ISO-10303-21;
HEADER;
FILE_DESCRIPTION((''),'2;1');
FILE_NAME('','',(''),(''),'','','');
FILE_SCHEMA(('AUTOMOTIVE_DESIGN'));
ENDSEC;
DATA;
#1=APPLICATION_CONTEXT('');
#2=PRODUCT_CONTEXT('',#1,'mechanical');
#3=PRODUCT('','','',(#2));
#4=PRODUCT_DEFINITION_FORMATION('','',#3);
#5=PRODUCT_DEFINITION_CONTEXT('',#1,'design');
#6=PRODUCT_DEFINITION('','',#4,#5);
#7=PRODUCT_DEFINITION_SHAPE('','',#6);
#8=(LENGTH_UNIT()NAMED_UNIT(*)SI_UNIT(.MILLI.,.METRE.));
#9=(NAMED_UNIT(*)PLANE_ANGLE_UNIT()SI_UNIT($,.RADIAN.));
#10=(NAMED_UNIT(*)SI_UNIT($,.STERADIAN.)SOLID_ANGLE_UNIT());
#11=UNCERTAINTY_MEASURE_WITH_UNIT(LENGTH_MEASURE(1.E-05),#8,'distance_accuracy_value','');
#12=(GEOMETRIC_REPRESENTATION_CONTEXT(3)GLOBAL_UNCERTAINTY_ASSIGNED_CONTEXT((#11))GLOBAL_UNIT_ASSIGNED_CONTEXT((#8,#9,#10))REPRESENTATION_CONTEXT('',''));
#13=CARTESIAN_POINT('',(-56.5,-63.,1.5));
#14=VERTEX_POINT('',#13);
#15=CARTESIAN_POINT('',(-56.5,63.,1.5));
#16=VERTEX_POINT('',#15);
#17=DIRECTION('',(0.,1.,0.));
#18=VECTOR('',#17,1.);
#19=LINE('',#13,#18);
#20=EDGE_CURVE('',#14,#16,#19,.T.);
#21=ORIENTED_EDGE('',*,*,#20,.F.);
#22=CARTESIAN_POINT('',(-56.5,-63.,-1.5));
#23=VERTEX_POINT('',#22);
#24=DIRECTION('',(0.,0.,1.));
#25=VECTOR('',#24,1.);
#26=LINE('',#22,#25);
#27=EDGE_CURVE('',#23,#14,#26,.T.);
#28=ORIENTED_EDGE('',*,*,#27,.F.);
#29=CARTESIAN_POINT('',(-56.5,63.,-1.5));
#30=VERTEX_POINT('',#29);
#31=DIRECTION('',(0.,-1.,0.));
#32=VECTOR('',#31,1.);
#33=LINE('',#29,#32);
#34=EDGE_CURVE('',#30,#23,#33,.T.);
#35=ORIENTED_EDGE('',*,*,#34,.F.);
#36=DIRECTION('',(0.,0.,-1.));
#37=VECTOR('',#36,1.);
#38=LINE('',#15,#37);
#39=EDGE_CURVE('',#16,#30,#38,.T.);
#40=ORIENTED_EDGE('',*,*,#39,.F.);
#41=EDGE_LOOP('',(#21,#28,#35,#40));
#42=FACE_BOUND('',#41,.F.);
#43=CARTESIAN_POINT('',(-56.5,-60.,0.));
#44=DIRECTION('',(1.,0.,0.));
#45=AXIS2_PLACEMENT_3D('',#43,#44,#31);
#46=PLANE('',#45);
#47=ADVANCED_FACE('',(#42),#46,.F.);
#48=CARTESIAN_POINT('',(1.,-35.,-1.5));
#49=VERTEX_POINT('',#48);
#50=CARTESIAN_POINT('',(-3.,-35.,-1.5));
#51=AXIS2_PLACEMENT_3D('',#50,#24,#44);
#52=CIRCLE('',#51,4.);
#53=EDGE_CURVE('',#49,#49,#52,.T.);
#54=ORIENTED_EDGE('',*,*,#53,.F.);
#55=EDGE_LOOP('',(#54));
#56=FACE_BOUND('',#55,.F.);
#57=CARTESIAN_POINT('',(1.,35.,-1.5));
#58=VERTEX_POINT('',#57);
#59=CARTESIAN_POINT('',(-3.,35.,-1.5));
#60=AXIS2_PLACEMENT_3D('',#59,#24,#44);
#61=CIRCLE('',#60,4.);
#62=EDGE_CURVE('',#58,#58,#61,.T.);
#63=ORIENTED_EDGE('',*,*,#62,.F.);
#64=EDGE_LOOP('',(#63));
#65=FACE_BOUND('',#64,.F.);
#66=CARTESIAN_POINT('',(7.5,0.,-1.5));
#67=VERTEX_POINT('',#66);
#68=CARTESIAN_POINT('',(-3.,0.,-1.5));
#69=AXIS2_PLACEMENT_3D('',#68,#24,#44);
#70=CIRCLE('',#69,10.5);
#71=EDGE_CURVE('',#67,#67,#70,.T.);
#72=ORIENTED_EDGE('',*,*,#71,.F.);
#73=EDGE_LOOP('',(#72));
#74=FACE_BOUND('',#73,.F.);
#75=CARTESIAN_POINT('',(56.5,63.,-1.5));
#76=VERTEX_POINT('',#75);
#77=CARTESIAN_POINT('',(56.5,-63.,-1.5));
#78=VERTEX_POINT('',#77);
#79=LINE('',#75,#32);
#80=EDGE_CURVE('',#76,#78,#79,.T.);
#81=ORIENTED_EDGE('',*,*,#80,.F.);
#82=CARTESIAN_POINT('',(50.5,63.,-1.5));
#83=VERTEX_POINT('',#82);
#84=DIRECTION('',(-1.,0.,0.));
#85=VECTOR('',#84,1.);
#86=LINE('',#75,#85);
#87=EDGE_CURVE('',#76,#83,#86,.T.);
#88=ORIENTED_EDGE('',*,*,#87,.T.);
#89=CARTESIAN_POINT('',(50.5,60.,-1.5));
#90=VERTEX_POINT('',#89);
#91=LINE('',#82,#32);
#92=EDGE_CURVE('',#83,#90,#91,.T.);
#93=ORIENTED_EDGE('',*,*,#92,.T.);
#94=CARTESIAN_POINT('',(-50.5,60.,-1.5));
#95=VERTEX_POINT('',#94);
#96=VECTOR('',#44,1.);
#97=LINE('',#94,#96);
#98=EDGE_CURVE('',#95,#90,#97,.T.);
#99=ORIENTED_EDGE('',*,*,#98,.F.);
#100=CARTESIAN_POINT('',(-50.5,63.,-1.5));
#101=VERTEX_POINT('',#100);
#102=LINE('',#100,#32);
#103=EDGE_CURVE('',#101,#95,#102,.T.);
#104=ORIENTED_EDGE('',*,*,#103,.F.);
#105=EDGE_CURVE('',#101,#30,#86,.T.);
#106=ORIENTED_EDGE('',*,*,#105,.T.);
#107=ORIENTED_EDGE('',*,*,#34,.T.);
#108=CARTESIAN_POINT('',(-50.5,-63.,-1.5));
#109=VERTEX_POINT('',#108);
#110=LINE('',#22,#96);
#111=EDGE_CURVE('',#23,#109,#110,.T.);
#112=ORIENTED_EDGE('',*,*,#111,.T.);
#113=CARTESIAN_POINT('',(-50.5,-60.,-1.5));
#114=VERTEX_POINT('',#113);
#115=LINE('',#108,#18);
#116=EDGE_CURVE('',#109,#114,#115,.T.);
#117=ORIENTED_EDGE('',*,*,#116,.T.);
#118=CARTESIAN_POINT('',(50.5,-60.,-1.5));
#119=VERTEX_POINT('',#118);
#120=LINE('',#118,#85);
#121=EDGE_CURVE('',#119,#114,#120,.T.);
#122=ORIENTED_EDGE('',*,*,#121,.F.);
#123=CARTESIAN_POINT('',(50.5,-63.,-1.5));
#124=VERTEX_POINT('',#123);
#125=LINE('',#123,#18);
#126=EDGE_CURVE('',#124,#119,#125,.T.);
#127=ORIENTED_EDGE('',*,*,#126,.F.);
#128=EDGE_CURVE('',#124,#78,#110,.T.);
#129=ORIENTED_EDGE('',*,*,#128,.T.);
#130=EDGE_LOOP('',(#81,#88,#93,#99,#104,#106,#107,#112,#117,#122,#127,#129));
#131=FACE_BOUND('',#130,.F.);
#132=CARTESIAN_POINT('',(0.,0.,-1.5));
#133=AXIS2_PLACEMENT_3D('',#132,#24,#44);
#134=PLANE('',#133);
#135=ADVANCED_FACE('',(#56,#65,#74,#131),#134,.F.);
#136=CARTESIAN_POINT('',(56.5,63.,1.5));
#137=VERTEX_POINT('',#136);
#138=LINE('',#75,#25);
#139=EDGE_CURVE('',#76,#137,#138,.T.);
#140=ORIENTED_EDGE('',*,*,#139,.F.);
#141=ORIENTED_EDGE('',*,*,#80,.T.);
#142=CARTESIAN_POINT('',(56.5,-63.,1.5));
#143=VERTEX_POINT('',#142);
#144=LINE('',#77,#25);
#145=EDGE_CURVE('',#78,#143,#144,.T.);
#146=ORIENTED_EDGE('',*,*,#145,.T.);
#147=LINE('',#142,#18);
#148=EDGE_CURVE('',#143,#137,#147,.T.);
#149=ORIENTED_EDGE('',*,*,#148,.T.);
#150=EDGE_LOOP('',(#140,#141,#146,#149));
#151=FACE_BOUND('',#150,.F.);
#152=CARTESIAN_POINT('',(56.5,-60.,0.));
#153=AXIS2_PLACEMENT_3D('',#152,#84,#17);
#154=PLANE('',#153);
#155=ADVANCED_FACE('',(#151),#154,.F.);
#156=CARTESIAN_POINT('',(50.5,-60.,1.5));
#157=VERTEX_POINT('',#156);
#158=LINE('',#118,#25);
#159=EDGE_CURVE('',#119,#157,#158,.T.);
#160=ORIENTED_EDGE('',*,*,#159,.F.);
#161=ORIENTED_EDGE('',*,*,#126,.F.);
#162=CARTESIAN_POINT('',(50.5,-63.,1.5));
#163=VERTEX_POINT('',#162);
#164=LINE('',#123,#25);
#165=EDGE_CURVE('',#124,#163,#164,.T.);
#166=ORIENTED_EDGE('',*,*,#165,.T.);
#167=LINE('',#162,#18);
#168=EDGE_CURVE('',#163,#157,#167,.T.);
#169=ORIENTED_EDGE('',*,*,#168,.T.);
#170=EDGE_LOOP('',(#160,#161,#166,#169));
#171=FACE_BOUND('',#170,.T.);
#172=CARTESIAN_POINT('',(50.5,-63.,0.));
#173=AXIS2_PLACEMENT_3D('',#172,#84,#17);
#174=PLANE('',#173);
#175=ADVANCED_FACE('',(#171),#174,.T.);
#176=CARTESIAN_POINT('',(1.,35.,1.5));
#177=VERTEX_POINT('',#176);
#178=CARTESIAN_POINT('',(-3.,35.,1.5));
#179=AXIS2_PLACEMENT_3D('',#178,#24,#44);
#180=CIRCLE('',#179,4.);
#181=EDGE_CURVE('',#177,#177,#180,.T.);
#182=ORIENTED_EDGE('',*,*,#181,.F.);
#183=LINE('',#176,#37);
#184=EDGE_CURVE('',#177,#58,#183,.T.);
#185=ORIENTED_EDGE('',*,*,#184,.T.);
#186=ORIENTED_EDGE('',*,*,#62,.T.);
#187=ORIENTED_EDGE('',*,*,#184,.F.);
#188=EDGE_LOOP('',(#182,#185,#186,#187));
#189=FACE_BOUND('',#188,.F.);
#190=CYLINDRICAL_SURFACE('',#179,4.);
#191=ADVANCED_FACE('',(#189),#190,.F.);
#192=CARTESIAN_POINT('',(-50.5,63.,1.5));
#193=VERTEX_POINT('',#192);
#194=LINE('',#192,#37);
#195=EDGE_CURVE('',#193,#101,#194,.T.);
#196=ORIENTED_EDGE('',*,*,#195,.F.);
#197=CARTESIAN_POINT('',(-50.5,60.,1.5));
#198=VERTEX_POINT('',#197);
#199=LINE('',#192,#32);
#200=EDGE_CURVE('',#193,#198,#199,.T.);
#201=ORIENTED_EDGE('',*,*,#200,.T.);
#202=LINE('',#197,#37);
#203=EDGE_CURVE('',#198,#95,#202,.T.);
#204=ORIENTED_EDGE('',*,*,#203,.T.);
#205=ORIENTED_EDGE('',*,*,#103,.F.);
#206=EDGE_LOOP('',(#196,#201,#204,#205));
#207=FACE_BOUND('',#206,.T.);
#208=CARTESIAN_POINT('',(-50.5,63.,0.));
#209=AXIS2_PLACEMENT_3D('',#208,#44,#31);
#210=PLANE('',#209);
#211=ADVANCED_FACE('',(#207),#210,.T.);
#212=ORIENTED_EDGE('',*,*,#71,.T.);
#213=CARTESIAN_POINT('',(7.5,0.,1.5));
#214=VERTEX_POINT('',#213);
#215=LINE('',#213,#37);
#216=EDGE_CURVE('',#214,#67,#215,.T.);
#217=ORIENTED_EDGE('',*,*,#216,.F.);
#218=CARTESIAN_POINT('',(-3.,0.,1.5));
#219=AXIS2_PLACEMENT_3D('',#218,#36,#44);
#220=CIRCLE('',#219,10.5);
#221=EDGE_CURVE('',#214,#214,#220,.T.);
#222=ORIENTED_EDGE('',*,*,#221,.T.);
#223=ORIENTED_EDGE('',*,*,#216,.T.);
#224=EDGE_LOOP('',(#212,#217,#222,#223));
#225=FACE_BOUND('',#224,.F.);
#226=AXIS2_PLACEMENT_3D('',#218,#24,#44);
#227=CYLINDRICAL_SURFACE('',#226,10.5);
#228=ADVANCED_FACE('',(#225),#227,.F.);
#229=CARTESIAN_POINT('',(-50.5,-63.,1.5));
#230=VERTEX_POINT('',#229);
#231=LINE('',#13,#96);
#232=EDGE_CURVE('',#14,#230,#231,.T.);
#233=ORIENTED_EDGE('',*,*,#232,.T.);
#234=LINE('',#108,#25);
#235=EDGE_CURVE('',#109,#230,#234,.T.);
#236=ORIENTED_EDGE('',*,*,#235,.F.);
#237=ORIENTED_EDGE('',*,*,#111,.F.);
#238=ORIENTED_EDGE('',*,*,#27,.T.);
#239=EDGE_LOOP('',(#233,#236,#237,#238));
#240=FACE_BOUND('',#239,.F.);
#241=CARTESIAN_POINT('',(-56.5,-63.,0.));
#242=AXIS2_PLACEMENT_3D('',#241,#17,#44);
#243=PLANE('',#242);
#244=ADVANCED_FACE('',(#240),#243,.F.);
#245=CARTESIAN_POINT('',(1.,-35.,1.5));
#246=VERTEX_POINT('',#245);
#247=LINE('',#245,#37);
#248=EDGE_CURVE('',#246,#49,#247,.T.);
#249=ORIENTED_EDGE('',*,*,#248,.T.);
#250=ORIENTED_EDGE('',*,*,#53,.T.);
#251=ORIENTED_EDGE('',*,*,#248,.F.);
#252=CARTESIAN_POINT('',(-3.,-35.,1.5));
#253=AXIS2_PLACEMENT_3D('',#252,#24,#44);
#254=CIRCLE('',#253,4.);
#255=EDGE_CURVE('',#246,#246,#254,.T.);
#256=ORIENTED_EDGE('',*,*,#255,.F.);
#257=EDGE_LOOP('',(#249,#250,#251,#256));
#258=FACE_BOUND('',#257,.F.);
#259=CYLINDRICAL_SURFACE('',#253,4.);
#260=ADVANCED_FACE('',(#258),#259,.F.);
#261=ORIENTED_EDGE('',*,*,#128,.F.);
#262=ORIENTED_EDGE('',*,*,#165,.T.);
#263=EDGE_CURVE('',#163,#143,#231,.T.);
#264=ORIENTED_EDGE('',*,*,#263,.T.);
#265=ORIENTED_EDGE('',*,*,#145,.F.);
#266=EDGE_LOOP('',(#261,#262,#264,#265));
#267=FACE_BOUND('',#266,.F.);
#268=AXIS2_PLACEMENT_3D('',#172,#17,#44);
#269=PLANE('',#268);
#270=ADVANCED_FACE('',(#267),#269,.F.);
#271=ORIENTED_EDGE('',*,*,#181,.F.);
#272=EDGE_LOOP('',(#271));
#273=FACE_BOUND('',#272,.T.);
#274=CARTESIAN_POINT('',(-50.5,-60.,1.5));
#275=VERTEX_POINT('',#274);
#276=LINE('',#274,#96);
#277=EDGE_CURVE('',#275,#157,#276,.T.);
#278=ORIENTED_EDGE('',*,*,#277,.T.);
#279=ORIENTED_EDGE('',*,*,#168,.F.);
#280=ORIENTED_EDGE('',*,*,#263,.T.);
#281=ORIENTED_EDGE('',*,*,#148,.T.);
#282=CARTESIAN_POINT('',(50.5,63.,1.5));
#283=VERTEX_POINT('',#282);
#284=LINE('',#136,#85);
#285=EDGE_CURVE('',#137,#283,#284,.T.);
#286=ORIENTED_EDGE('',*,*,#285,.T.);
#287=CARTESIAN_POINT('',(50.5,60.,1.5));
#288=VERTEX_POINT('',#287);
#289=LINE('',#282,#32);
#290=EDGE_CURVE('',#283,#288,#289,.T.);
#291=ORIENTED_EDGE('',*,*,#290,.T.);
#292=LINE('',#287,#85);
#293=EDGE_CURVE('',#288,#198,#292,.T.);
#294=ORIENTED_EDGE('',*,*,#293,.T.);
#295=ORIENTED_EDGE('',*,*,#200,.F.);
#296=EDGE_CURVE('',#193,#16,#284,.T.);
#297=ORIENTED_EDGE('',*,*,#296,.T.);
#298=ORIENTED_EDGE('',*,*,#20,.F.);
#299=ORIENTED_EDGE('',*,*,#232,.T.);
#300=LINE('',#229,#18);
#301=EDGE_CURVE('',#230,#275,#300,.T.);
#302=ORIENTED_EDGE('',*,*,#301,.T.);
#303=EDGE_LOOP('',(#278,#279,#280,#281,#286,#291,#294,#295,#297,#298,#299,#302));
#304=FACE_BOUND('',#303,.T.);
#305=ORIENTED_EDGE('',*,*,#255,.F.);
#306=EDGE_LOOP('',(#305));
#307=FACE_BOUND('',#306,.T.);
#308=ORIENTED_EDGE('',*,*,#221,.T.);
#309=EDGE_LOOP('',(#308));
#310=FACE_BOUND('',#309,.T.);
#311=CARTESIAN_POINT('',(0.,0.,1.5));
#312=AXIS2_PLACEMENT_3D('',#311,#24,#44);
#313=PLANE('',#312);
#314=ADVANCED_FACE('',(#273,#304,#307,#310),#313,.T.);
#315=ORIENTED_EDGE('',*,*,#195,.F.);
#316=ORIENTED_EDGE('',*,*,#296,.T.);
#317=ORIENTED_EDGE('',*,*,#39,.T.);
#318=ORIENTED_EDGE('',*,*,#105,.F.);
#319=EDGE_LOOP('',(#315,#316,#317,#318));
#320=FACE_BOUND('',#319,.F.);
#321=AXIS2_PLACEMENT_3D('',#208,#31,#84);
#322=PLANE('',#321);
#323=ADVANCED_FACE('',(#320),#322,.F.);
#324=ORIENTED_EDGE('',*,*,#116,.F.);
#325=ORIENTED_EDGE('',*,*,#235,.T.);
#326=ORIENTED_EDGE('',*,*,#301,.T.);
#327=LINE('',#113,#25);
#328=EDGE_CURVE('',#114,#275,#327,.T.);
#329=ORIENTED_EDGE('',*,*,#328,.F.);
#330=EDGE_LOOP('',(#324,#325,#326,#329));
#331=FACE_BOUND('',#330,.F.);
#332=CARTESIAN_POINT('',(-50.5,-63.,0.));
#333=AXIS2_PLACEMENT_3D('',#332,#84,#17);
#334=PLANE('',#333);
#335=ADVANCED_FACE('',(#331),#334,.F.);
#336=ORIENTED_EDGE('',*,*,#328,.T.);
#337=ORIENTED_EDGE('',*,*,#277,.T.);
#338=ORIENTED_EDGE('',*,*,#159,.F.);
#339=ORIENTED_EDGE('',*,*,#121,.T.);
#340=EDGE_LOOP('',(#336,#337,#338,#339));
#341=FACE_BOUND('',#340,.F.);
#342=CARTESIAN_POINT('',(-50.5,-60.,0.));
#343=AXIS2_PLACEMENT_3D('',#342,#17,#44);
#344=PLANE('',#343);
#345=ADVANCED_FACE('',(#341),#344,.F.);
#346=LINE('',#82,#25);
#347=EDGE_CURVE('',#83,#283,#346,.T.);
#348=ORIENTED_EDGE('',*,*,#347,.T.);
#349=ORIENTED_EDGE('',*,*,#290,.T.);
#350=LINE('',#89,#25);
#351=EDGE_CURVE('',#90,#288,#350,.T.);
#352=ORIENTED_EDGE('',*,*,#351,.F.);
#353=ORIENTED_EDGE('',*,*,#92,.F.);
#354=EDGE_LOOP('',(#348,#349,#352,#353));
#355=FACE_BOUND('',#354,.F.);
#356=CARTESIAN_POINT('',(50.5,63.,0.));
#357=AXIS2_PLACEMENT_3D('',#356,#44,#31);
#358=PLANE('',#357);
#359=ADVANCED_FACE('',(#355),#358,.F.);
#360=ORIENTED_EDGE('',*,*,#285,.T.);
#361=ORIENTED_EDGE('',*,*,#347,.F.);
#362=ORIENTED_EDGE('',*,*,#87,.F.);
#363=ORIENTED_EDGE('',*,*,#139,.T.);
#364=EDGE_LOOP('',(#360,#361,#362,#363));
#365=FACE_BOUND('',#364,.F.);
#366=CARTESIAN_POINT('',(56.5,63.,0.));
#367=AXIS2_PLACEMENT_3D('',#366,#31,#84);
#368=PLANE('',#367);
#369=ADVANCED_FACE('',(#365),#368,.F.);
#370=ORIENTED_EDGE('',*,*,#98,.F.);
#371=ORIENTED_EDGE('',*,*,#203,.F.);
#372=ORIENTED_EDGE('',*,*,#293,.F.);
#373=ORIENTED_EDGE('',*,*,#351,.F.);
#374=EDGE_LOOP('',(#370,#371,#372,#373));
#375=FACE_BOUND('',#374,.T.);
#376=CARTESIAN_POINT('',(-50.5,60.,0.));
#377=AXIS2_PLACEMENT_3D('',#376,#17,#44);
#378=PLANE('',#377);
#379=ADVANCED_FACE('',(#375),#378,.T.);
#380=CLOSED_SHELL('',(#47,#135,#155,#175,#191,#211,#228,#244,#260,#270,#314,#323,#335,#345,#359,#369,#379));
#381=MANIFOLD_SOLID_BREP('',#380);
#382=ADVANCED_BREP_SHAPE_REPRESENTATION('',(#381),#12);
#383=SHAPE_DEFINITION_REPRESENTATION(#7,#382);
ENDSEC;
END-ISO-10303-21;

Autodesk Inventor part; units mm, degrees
ref_plane "YZ Plane" through (0, 0, 0) normal (1, 0, 0) x (0, 1, 0)
ref_plane "XZ Plane" through (0, 0, 0) normal (0, 1, 0) x (-1, 0, 0)
ref_plane "XY Plane" through (0, 0, 0) normal (0, 0, 1) x (1, 0, 0)
sketch "Sketch1" plane through (0, 0, 0) normal (0, 0, 1) x (1, 0, 0)
  line L0 (-56.5, -63) -> (56.5, -63)
  line L1 (56.5, -63) -> (56.5, 63)
  line L2 (56.5, 63) -> (-56.5, 63)
  line L3 (-56.5, 63) -> (-56.5, -63)
  line L4 (-56.5, -63) -> (56.5, 63) construction
  line L5 (56.5, -63) -> (-56.5, 63) construction
  line L6 (56.5, -63) -> (50.5, -63)
  line L7 (50.5, -63) -> (50.5, -60)
  line L8 (50.5, -60) -> (56.5, -60)
  line L9 (56.5, -60) -> (56.5, -63)
  line L10 (0, 63) -> (0, -63)
  line L11 (-56.5, 0) -> (56.5, 0)
  line L12 (-56.5, -63) -> (-50.5, -63)
  line L13 (-50.5, -63) -> (-50.5, -60)
  line L14 (-50.5, -60) -> (-56.5, -60)
  line L15 (-56.5, -60) -> (-56.5, -63)
  line L16 (50.5, 63) -> (50.5, 60)
  line L17 (50.5, 60) -> (56.5, 60)
  line L18 (-50.5, 63) -> (-50.5, 60)
  line L19 (-50.5, 60) -> (-56.5, 60)
  line L20 (-50.5, -60) -> (50.5, -60)
  line L21 (-50.5, 60) -> (50.5, 60)
  point P0 (0, 0)
  point P1 (-50.5, -63)
  point P2 (50.5, -63)
  point P3 (50.5, 63)
  point P4 (-50.5, 63)
  dimension "d0" = 113
  dimension "d1" = 126
  dimension "d2" = 6
  dimension "d3" = 3
extrude "Extrusion1" add sketch "Sketch1" along normal mid plane 3 contours L3 L14 L13 L0 | L3 L11 L10 L20 L14 | L3 L19 L21 L10 L11 | L7 L8 L1 L0 | L10 L11 L1 L8 L20 | L3 L2 L18 L19 | L10 L21 L17 L1 L11 | L16 L2 L1 L17
sketch "Sketch2" plane through (0, 0, 1.5) normal (0, 0, 1) x (1, 0, 0)
  circle A0 centre (-3, -35) radius 4
  line L0 (-3, 0) -> (-56.5, 0)
  line L1 (-56.5, 63) -> (-56.5, -63) projected
  circle A1 centre (-3, 35) radius 4
  circle A2 centre (-3, 0) radius 10.5
  line L2 (56.5, -63) -> (56.5, 63) projected
  line L3 (50.5, 60) -> (-50.5, 60) projected
  dimension "d6" = 70
  dimension "d7" = 8
  dimension "d8" = 21
  dimension "d11" = 59.5
  dimension "d12" = 60
extrude "Extrusion2" cut sketch "Sketch2" against normal blind 3
properties part number "upper support"
